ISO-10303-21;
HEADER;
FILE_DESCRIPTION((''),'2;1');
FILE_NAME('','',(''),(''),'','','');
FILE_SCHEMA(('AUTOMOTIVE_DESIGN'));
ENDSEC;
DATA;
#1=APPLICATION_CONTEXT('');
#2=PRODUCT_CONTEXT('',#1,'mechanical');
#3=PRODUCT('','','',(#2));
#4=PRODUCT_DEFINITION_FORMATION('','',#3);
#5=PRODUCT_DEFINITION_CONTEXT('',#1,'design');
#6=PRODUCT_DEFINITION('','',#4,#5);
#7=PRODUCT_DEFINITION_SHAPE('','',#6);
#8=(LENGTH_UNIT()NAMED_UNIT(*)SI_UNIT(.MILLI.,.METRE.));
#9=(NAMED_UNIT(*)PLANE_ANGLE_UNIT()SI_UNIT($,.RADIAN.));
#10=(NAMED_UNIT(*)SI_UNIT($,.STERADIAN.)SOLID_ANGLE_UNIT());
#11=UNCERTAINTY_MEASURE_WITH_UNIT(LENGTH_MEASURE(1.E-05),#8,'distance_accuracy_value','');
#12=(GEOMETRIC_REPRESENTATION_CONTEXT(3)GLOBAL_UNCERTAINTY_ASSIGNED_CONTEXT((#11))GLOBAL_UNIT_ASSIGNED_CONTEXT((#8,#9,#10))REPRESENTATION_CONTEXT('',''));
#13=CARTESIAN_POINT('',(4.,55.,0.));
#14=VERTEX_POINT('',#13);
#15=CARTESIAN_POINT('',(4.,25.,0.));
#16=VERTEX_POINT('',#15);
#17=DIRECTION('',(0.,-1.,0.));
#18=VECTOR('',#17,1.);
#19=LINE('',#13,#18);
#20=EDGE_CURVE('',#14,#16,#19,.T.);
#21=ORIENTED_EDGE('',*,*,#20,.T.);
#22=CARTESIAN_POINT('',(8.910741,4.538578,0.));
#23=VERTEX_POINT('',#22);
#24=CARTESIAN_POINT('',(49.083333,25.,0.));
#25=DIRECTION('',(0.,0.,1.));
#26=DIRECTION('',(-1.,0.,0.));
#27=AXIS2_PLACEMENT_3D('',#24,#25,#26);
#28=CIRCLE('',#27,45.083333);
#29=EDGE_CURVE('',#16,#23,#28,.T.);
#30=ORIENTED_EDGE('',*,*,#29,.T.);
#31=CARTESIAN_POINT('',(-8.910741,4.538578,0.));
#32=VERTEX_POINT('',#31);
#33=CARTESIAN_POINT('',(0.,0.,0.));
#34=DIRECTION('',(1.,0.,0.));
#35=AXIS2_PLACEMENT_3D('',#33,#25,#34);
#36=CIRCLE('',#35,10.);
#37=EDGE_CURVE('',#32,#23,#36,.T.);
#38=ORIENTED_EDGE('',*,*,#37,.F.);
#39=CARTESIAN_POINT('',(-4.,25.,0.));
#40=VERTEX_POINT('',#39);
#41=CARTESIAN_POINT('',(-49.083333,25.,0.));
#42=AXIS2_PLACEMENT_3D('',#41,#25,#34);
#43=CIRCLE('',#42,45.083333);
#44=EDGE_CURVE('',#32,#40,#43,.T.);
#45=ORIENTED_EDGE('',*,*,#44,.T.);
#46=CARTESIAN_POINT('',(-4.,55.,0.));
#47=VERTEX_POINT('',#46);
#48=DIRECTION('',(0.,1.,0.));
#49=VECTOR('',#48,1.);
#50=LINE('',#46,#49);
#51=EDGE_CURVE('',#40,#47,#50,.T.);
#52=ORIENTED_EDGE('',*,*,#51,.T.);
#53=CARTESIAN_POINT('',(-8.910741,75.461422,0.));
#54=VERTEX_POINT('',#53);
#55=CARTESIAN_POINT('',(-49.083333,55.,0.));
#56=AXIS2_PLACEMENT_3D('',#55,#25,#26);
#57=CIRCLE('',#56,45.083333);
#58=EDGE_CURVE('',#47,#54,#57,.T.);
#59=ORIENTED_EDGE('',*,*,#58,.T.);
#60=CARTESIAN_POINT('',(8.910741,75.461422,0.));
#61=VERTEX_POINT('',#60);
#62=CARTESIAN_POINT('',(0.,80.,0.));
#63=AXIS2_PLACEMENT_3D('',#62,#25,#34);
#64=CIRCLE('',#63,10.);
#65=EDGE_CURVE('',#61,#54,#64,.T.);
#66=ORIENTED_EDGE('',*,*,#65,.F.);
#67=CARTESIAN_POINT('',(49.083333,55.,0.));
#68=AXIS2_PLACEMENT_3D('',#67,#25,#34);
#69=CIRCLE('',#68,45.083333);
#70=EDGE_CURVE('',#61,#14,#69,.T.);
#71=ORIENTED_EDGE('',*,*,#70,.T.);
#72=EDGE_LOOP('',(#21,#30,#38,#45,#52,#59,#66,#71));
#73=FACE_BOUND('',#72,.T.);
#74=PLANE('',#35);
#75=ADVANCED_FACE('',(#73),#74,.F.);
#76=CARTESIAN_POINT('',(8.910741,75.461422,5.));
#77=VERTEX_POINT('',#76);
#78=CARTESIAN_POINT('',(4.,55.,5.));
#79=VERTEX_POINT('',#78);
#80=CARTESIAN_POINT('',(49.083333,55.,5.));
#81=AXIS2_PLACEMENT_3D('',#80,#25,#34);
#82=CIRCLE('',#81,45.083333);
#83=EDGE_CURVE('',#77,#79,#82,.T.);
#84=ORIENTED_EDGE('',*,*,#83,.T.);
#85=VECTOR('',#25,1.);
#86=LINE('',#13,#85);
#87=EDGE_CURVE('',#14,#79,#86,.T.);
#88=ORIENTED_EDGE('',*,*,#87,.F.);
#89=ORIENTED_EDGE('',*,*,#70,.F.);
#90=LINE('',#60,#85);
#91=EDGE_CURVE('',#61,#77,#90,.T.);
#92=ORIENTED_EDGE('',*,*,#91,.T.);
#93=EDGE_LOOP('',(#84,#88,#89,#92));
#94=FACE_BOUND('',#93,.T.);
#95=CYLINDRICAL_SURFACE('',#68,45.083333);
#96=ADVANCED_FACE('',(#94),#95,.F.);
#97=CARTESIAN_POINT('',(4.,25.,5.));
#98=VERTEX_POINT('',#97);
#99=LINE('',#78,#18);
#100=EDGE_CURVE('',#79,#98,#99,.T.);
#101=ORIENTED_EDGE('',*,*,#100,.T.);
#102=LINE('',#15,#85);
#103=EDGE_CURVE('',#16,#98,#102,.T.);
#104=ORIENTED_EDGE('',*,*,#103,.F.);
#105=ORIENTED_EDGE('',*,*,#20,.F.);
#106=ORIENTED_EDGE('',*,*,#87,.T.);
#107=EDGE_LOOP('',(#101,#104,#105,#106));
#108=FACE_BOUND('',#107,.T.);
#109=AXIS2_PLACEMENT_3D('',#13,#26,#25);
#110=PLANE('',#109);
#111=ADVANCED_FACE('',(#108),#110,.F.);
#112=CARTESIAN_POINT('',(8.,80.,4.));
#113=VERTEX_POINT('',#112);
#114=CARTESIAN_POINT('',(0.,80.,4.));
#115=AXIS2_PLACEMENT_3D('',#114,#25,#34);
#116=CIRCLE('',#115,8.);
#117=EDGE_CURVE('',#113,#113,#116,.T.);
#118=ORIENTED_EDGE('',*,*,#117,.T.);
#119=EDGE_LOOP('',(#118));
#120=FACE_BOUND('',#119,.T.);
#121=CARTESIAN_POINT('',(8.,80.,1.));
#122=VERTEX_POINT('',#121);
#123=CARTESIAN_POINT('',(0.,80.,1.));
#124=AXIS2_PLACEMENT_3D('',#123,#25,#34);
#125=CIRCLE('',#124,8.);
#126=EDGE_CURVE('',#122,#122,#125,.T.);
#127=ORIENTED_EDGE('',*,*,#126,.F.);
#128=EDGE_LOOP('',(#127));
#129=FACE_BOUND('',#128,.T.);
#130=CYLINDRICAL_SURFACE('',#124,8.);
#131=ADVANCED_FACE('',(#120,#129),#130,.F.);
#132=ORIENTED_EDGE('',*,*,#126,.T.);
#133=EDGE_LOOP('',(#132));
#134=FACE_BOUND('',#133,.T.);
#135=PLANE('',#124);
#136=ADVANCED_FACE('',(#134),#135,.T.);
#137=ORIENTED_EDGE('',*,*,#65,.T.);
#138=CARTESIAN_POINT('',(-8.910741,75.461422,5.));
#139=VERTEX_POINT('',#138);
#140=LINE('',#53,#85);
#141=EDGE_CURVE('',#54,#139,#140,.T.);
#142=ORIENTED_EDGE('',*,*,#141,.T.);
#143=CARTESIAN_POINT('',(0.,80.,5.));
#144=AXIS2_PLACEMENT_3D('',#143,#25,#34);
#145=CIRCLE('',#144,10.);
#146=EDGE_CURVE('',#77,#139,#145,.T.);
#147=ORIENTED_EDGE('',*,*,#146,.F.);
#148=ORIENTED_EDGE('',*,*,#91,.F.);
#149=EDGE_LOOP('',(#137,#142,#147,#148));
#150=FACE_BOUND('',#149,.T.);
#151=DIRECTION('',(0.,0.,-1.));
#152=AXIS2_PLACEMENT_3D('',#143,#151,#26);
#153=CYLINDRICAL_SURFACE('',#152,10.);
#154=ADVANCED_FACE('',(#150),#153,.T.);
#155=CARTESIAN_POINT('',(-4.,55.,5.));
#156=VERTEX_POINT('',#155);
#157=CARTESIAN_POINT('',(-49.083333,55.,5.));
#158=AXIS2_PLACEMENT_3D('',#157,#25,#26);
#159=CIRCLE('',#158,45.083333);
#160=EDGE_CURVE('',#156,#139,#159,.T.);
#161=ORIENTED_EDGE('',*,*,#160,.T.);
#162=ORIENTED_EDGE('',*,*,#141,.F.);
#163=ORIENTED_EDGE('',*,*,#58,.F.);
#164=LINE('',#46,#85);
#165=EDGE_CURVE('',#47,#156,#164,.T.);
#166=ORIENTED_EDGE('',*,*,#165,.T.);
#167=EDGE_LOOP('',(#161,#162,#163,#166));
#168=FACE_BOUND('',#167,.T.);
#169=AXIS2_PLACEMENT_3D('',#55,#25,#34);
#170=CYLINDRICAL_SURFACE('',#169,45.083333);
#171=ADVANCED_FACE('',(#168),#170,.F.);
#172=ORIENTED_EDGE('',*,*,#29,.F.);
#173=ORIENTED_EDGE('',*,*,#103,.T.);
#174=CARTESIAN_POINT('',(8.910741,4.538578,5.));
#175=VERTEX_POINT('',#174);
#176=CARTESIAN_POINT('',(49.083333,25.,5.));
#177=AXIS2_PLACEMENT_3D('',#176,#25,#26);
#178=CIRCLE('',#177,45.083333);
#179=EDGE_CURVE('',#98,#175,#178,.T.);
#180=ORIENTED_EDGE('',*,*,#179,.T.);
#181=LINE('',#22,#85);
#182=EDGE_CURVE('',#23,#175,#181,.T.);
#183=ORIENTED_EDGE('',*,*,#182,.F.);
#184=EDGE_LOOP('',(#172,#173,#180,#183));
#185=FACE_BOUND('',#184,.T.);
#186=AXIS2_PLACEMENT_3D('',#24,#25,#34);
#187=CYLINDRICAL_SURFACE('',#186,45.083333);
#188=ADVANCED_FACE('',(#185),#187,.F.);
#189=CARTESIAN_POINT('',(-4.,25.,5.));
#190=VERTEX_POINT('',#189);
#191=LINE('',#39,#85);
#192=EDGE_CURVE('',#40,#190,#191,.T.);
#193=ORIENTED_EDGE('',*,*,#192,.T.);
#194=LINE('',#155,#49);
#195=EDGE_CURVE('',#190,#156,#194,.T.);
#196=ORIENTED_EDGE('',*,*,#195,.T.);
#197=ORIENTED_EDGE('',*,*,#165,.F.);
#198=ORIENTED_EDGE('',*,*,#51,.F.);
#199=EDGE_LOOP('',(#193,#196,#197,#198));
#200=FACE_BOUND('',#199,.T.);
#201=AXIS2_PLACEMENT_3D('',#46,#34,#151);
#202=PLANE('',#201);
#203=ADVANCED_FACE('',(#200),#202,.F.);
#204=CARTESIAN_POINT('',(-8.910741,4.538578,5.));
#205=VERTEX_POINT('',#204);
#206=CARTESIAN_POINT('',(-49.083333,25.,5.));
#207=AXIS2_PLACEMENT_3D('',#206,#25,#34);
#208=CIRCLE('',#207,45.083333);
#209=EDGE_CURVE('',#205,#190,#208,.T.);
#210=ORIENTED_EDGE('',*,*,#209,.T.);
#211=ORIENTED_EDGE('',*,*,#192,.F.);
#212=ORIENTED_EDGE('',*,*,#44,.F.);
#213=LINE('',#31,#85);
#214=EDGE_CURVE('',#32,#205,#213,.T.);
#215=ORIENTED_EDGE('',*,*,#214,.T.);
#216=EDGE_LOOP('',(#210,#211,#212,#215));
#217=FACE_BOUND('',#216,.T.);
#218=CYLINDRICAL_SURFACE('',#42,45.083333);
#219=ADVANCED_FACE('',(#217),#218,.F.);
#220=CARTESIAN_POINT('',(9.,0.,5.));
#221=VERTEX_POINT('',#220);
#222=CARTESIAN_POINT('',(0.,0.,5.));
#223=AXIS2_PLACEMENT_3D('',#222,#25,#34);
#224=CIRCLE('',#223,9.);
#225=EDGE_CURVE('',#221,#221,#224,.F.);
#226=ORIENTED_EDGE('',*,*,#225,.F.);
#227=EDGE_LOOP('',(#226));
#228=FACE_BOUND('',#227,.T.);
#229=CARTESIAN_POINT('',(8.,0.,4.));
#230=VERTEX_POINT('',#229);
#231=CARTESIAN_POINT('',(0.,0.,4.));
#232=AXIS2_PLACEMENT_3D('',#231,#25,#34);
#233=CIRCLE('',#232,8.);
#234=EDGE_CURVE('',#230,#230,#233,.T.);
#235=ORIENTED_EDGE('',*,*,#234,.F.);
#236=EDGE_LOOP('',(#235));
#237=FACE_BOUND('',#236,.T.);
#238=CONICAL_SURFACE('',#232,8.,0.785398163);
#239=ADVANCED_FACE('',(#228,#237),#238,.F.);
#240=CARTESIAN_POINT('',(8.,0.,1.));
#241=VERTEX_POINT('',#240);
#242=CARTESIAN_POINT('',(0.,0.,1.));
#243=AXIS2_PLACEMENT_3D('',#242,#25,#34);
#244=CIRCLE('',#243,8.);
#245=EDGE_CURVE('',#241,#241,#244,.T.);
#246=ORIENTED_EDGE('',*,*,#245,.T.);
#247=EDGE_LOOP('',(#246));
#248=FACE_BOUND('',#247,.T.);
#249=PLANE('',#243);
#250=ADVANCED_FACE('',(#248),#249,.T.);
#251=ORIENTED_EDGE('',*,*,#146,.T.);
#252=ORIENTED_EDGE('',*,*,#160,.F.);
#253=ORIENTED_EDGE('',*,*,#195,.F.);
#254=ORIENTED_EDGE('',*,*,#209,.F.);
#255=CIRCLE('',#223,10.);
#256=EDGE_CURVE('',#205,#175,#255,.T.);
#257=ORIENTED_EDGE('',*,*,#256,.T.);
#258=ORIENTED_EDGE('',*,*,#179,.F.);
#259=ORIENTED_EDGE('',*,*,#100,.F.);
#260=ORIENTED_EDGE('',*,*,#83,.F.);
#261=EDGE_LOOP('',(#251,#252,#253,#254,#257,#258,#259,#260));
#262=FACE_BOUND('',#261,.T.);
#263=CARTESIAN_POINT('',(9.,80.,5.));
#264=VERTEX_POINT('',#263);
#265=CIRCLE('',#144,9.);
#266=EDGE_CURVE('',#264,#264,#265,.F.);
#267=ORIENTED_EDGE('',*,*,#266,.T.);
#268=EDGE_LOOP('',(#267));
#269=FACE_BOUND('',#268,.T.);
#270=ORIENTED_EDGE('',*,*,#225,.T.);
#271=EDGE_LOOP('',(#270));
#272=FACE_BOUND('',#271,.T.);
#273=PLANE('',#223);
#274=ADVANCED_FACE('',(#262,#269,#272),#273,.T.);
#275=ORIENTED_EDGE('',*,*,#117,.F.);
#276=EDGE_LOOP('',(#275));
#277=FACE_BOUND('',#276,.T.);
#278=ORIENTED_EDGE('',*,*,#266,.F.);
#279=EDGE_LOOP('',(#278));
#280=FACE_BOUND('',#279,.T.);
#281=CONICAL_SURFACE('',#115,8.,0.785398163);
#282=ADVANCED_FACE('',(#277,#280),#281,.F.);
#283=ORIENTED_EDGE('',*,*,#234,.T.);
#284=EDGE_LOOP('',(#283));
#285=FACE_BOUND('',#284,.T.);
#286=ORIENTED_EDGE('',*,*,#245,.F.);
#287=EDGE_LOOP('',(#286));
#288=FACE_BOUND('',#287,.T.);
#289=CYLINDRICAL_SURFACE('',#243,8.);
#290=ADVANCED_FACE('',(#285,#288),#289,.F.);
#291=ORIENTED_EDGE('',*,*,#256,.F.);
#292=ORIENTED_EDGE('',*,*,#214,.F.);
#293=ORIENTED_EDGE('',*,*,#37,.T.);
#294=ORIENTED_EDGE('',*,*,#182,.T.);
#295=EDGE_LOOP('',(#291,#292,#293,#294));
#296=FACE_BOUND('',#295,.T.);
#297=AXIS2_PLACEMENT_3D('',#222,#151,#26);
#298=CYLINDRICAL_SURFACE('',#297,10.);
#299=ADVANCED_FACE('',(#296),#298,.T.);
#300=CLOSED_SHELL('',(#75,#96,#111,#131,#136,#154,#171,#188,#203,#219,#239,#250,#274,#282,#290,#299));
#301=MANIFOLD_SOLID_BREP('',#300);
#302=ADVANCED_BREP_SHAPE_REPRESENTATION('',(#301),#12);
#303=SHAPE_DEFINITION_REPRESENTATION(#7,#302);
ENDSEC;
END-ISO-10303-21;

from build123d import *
from build123d.topology import SkipClean

# Parameters (mm, degrees)
BOSS_EXTRU_1_DEPTH      = 5
ESQUISSE2_R             = 8
ENL_V_MAT_EXTRU_1_DEPTH = 4
ENL_V_MAT_EXTRU_2_DEPTH = 91.691785736
CHANFREIN1_SIZE         = 1


with BuildPart() as part:
    # Esquisse1 → Boss.-Extru.1 (new body)
    with BuildSketch(Plane.XY):
        with BuildLine():
            Line((-10, 0), (-10, 80))
            ThreePointArc((-10, 80), (0, 90), (10, 80))
            Line((10, 80), (10, 0))
            ThreePointArc((10, 0), (0, -10), (-10, 0))
        make_face()
    extrude(amount=BOSS_EXTRU_1_DEPTH)

    # Esquisse2 → Enlèv. mat.-Extru.1 (cut)
    with BuildSketch(Plane.XY.offset(5)):
        Circle(ESQUISSE2_R)
        with Locations((0, 80)):
            Circle(ESQUISSE2_R)
    extrude(amount=-ENL_V_MAT_EXTRU_1_DEPTH, mode=Mode.SUBTRACT)

    # Esquisse3 → Enlèv. mat.-Extru.2 (cut, through all)
    with SkipClean():  # the faces are left unmerged after this step: merging them gives an invalid solid
        with BuildSketch(Plane.XY.offset(5)):
            with BuildLine():
                Line((-4, 55), (-4, 25))
                ThreePointArc((-4, 25), (-5.244872469, 14.478769393), (-8.910741301, 4.538577912))
                ThreePointArc((-8.910741301, 4.538577912), (-9.72387302, 2.333729525), (-10, 0))
                Line((-10, 0), (-10, 80))
                ThreePointArc((-10, 80), (-9.72387302, 77.666270475), (-8.910741301, 75.461422088))
                ThreePointArc((-8.910741301, 75.461422088), (-5.244872469, 65.521230607), (-4, 55))
            make_face()
            with BuildLine():
                Line((4, 55), (4, 25))
                ThreePointArc((4, 25), (5.244872469, 14.478769393), (8.910741301, 4.538577912))
                ThreePointArc((8.910741301, 4.538577912), (9.72387302, 2.333729525), (10, 0))
                Line((10, 0), (10, 80))
                ThreePointArc((10, 80), (9.72387302, 77.666270475), (8.910741301, 75.461422088))
                ThreePointArc((8.910741301, 75.461422088), (5.244872469, 65.521230607), (4, 55))
            make_face()
        extrude(amount=-ENL_V_MAT_EXTRU_2_DEPTH, mode=Mode.SUBTRACT)

    # Chanfrein1
    chanfrein1_edges = [part.edges().sort_by_distance(p)[0] for p in [
        (-8, 0, 5),
        (-8, 80, 5),
    ]]
    chamfer(chanfrein1_edges, length=CHANFREIN1_SIZE)


solid = part.part
